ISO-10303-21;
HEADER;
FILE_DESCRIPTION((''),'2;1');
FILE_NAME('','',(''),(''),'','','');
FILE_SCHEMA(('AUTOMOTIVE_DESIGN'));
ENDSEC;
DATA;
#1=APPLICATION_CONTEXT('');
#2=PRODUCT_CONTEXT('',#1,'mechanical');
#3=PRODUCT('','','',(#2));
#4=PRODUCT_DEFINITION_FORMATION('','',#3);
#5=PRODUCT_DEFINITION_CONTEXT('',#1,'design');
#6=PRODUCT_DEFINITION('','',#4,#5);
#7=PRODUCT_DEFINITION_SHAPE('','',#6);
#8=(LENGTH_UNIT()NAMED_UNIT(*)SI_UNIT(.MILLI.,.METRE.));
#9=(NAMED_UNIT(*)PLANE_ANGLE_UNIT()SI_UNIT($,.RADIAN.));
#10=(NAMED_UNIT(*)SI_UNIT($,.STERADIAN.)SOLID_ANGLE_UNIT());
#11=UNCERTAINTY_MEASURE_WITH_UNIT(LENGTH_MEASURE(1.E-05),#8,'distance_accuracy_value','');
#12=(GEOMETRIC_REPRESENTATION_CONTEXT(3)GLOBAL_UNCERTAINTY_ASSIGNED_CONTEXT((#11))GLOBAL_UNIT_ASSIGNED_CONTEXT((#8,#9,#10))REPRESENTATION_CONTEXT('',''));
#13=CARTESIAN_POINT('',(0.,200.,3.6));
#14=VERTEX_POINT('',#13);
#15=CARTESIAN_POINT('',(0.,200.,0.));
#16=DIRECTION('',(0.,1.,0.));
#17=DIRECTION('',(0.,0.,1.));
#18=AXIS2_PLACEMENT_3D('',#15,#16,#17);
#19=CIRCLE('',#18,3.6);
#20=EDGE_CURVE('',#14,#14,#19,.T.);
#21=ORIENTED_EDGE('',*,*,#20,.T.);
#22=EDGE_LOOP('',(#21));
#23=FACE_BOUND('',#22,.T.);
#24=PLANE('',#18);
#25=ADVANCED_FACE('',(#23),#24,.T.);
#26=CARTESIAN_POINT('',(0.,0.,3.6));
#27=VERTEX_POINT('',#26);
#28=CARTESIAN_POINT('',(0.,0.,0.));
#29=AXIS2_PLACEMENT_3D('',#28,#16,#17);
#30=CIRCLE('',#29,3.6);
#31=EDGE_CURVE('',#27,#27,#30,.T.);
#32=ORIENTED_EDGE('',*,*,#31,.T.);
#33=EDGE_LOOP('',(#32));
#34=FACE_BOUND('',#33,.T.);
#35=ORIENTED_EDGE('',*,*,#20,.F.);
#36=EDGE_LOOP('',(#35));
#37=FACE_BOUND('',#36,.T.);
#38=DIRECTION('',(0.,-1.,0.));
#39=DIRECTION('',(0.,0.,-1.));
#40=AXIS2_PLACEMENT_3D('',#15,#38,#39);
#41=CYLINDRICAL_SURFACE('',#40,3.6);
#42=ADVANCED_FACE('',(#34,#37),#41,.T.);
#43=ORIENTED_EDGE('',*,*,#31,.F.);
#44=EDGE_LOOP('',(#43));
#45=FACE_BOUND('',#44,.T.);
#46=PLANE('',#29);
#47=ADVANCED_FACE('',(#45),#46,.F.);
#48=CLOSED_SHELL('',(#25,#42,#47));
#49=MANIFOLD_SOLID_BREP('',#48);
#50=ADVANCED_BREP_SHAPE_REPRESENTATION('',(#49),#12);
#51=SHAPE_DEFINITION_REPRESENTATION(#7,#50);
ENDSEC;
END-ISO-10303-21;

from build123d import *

# Parameters (mm, degrees)
SKETCH_1_R      = 3.6
EXTRUDE_2_DEPTH = 200


with BuildPart() as part:
    # 草图1 → 凸台-拉伸2 (new body)
    with BuildSketch(Plane(origin=(0, 0, 0), x_dir=(1, 0, 0), z_dir=(0, 1, 0))):
        with Locations(Location((0, 0, 0), (0, 0, 270))):
            Circle(SKETCH_1_R)
    extrude(amount=EXTRUDE_2_DEPTH)


solid = part.part
